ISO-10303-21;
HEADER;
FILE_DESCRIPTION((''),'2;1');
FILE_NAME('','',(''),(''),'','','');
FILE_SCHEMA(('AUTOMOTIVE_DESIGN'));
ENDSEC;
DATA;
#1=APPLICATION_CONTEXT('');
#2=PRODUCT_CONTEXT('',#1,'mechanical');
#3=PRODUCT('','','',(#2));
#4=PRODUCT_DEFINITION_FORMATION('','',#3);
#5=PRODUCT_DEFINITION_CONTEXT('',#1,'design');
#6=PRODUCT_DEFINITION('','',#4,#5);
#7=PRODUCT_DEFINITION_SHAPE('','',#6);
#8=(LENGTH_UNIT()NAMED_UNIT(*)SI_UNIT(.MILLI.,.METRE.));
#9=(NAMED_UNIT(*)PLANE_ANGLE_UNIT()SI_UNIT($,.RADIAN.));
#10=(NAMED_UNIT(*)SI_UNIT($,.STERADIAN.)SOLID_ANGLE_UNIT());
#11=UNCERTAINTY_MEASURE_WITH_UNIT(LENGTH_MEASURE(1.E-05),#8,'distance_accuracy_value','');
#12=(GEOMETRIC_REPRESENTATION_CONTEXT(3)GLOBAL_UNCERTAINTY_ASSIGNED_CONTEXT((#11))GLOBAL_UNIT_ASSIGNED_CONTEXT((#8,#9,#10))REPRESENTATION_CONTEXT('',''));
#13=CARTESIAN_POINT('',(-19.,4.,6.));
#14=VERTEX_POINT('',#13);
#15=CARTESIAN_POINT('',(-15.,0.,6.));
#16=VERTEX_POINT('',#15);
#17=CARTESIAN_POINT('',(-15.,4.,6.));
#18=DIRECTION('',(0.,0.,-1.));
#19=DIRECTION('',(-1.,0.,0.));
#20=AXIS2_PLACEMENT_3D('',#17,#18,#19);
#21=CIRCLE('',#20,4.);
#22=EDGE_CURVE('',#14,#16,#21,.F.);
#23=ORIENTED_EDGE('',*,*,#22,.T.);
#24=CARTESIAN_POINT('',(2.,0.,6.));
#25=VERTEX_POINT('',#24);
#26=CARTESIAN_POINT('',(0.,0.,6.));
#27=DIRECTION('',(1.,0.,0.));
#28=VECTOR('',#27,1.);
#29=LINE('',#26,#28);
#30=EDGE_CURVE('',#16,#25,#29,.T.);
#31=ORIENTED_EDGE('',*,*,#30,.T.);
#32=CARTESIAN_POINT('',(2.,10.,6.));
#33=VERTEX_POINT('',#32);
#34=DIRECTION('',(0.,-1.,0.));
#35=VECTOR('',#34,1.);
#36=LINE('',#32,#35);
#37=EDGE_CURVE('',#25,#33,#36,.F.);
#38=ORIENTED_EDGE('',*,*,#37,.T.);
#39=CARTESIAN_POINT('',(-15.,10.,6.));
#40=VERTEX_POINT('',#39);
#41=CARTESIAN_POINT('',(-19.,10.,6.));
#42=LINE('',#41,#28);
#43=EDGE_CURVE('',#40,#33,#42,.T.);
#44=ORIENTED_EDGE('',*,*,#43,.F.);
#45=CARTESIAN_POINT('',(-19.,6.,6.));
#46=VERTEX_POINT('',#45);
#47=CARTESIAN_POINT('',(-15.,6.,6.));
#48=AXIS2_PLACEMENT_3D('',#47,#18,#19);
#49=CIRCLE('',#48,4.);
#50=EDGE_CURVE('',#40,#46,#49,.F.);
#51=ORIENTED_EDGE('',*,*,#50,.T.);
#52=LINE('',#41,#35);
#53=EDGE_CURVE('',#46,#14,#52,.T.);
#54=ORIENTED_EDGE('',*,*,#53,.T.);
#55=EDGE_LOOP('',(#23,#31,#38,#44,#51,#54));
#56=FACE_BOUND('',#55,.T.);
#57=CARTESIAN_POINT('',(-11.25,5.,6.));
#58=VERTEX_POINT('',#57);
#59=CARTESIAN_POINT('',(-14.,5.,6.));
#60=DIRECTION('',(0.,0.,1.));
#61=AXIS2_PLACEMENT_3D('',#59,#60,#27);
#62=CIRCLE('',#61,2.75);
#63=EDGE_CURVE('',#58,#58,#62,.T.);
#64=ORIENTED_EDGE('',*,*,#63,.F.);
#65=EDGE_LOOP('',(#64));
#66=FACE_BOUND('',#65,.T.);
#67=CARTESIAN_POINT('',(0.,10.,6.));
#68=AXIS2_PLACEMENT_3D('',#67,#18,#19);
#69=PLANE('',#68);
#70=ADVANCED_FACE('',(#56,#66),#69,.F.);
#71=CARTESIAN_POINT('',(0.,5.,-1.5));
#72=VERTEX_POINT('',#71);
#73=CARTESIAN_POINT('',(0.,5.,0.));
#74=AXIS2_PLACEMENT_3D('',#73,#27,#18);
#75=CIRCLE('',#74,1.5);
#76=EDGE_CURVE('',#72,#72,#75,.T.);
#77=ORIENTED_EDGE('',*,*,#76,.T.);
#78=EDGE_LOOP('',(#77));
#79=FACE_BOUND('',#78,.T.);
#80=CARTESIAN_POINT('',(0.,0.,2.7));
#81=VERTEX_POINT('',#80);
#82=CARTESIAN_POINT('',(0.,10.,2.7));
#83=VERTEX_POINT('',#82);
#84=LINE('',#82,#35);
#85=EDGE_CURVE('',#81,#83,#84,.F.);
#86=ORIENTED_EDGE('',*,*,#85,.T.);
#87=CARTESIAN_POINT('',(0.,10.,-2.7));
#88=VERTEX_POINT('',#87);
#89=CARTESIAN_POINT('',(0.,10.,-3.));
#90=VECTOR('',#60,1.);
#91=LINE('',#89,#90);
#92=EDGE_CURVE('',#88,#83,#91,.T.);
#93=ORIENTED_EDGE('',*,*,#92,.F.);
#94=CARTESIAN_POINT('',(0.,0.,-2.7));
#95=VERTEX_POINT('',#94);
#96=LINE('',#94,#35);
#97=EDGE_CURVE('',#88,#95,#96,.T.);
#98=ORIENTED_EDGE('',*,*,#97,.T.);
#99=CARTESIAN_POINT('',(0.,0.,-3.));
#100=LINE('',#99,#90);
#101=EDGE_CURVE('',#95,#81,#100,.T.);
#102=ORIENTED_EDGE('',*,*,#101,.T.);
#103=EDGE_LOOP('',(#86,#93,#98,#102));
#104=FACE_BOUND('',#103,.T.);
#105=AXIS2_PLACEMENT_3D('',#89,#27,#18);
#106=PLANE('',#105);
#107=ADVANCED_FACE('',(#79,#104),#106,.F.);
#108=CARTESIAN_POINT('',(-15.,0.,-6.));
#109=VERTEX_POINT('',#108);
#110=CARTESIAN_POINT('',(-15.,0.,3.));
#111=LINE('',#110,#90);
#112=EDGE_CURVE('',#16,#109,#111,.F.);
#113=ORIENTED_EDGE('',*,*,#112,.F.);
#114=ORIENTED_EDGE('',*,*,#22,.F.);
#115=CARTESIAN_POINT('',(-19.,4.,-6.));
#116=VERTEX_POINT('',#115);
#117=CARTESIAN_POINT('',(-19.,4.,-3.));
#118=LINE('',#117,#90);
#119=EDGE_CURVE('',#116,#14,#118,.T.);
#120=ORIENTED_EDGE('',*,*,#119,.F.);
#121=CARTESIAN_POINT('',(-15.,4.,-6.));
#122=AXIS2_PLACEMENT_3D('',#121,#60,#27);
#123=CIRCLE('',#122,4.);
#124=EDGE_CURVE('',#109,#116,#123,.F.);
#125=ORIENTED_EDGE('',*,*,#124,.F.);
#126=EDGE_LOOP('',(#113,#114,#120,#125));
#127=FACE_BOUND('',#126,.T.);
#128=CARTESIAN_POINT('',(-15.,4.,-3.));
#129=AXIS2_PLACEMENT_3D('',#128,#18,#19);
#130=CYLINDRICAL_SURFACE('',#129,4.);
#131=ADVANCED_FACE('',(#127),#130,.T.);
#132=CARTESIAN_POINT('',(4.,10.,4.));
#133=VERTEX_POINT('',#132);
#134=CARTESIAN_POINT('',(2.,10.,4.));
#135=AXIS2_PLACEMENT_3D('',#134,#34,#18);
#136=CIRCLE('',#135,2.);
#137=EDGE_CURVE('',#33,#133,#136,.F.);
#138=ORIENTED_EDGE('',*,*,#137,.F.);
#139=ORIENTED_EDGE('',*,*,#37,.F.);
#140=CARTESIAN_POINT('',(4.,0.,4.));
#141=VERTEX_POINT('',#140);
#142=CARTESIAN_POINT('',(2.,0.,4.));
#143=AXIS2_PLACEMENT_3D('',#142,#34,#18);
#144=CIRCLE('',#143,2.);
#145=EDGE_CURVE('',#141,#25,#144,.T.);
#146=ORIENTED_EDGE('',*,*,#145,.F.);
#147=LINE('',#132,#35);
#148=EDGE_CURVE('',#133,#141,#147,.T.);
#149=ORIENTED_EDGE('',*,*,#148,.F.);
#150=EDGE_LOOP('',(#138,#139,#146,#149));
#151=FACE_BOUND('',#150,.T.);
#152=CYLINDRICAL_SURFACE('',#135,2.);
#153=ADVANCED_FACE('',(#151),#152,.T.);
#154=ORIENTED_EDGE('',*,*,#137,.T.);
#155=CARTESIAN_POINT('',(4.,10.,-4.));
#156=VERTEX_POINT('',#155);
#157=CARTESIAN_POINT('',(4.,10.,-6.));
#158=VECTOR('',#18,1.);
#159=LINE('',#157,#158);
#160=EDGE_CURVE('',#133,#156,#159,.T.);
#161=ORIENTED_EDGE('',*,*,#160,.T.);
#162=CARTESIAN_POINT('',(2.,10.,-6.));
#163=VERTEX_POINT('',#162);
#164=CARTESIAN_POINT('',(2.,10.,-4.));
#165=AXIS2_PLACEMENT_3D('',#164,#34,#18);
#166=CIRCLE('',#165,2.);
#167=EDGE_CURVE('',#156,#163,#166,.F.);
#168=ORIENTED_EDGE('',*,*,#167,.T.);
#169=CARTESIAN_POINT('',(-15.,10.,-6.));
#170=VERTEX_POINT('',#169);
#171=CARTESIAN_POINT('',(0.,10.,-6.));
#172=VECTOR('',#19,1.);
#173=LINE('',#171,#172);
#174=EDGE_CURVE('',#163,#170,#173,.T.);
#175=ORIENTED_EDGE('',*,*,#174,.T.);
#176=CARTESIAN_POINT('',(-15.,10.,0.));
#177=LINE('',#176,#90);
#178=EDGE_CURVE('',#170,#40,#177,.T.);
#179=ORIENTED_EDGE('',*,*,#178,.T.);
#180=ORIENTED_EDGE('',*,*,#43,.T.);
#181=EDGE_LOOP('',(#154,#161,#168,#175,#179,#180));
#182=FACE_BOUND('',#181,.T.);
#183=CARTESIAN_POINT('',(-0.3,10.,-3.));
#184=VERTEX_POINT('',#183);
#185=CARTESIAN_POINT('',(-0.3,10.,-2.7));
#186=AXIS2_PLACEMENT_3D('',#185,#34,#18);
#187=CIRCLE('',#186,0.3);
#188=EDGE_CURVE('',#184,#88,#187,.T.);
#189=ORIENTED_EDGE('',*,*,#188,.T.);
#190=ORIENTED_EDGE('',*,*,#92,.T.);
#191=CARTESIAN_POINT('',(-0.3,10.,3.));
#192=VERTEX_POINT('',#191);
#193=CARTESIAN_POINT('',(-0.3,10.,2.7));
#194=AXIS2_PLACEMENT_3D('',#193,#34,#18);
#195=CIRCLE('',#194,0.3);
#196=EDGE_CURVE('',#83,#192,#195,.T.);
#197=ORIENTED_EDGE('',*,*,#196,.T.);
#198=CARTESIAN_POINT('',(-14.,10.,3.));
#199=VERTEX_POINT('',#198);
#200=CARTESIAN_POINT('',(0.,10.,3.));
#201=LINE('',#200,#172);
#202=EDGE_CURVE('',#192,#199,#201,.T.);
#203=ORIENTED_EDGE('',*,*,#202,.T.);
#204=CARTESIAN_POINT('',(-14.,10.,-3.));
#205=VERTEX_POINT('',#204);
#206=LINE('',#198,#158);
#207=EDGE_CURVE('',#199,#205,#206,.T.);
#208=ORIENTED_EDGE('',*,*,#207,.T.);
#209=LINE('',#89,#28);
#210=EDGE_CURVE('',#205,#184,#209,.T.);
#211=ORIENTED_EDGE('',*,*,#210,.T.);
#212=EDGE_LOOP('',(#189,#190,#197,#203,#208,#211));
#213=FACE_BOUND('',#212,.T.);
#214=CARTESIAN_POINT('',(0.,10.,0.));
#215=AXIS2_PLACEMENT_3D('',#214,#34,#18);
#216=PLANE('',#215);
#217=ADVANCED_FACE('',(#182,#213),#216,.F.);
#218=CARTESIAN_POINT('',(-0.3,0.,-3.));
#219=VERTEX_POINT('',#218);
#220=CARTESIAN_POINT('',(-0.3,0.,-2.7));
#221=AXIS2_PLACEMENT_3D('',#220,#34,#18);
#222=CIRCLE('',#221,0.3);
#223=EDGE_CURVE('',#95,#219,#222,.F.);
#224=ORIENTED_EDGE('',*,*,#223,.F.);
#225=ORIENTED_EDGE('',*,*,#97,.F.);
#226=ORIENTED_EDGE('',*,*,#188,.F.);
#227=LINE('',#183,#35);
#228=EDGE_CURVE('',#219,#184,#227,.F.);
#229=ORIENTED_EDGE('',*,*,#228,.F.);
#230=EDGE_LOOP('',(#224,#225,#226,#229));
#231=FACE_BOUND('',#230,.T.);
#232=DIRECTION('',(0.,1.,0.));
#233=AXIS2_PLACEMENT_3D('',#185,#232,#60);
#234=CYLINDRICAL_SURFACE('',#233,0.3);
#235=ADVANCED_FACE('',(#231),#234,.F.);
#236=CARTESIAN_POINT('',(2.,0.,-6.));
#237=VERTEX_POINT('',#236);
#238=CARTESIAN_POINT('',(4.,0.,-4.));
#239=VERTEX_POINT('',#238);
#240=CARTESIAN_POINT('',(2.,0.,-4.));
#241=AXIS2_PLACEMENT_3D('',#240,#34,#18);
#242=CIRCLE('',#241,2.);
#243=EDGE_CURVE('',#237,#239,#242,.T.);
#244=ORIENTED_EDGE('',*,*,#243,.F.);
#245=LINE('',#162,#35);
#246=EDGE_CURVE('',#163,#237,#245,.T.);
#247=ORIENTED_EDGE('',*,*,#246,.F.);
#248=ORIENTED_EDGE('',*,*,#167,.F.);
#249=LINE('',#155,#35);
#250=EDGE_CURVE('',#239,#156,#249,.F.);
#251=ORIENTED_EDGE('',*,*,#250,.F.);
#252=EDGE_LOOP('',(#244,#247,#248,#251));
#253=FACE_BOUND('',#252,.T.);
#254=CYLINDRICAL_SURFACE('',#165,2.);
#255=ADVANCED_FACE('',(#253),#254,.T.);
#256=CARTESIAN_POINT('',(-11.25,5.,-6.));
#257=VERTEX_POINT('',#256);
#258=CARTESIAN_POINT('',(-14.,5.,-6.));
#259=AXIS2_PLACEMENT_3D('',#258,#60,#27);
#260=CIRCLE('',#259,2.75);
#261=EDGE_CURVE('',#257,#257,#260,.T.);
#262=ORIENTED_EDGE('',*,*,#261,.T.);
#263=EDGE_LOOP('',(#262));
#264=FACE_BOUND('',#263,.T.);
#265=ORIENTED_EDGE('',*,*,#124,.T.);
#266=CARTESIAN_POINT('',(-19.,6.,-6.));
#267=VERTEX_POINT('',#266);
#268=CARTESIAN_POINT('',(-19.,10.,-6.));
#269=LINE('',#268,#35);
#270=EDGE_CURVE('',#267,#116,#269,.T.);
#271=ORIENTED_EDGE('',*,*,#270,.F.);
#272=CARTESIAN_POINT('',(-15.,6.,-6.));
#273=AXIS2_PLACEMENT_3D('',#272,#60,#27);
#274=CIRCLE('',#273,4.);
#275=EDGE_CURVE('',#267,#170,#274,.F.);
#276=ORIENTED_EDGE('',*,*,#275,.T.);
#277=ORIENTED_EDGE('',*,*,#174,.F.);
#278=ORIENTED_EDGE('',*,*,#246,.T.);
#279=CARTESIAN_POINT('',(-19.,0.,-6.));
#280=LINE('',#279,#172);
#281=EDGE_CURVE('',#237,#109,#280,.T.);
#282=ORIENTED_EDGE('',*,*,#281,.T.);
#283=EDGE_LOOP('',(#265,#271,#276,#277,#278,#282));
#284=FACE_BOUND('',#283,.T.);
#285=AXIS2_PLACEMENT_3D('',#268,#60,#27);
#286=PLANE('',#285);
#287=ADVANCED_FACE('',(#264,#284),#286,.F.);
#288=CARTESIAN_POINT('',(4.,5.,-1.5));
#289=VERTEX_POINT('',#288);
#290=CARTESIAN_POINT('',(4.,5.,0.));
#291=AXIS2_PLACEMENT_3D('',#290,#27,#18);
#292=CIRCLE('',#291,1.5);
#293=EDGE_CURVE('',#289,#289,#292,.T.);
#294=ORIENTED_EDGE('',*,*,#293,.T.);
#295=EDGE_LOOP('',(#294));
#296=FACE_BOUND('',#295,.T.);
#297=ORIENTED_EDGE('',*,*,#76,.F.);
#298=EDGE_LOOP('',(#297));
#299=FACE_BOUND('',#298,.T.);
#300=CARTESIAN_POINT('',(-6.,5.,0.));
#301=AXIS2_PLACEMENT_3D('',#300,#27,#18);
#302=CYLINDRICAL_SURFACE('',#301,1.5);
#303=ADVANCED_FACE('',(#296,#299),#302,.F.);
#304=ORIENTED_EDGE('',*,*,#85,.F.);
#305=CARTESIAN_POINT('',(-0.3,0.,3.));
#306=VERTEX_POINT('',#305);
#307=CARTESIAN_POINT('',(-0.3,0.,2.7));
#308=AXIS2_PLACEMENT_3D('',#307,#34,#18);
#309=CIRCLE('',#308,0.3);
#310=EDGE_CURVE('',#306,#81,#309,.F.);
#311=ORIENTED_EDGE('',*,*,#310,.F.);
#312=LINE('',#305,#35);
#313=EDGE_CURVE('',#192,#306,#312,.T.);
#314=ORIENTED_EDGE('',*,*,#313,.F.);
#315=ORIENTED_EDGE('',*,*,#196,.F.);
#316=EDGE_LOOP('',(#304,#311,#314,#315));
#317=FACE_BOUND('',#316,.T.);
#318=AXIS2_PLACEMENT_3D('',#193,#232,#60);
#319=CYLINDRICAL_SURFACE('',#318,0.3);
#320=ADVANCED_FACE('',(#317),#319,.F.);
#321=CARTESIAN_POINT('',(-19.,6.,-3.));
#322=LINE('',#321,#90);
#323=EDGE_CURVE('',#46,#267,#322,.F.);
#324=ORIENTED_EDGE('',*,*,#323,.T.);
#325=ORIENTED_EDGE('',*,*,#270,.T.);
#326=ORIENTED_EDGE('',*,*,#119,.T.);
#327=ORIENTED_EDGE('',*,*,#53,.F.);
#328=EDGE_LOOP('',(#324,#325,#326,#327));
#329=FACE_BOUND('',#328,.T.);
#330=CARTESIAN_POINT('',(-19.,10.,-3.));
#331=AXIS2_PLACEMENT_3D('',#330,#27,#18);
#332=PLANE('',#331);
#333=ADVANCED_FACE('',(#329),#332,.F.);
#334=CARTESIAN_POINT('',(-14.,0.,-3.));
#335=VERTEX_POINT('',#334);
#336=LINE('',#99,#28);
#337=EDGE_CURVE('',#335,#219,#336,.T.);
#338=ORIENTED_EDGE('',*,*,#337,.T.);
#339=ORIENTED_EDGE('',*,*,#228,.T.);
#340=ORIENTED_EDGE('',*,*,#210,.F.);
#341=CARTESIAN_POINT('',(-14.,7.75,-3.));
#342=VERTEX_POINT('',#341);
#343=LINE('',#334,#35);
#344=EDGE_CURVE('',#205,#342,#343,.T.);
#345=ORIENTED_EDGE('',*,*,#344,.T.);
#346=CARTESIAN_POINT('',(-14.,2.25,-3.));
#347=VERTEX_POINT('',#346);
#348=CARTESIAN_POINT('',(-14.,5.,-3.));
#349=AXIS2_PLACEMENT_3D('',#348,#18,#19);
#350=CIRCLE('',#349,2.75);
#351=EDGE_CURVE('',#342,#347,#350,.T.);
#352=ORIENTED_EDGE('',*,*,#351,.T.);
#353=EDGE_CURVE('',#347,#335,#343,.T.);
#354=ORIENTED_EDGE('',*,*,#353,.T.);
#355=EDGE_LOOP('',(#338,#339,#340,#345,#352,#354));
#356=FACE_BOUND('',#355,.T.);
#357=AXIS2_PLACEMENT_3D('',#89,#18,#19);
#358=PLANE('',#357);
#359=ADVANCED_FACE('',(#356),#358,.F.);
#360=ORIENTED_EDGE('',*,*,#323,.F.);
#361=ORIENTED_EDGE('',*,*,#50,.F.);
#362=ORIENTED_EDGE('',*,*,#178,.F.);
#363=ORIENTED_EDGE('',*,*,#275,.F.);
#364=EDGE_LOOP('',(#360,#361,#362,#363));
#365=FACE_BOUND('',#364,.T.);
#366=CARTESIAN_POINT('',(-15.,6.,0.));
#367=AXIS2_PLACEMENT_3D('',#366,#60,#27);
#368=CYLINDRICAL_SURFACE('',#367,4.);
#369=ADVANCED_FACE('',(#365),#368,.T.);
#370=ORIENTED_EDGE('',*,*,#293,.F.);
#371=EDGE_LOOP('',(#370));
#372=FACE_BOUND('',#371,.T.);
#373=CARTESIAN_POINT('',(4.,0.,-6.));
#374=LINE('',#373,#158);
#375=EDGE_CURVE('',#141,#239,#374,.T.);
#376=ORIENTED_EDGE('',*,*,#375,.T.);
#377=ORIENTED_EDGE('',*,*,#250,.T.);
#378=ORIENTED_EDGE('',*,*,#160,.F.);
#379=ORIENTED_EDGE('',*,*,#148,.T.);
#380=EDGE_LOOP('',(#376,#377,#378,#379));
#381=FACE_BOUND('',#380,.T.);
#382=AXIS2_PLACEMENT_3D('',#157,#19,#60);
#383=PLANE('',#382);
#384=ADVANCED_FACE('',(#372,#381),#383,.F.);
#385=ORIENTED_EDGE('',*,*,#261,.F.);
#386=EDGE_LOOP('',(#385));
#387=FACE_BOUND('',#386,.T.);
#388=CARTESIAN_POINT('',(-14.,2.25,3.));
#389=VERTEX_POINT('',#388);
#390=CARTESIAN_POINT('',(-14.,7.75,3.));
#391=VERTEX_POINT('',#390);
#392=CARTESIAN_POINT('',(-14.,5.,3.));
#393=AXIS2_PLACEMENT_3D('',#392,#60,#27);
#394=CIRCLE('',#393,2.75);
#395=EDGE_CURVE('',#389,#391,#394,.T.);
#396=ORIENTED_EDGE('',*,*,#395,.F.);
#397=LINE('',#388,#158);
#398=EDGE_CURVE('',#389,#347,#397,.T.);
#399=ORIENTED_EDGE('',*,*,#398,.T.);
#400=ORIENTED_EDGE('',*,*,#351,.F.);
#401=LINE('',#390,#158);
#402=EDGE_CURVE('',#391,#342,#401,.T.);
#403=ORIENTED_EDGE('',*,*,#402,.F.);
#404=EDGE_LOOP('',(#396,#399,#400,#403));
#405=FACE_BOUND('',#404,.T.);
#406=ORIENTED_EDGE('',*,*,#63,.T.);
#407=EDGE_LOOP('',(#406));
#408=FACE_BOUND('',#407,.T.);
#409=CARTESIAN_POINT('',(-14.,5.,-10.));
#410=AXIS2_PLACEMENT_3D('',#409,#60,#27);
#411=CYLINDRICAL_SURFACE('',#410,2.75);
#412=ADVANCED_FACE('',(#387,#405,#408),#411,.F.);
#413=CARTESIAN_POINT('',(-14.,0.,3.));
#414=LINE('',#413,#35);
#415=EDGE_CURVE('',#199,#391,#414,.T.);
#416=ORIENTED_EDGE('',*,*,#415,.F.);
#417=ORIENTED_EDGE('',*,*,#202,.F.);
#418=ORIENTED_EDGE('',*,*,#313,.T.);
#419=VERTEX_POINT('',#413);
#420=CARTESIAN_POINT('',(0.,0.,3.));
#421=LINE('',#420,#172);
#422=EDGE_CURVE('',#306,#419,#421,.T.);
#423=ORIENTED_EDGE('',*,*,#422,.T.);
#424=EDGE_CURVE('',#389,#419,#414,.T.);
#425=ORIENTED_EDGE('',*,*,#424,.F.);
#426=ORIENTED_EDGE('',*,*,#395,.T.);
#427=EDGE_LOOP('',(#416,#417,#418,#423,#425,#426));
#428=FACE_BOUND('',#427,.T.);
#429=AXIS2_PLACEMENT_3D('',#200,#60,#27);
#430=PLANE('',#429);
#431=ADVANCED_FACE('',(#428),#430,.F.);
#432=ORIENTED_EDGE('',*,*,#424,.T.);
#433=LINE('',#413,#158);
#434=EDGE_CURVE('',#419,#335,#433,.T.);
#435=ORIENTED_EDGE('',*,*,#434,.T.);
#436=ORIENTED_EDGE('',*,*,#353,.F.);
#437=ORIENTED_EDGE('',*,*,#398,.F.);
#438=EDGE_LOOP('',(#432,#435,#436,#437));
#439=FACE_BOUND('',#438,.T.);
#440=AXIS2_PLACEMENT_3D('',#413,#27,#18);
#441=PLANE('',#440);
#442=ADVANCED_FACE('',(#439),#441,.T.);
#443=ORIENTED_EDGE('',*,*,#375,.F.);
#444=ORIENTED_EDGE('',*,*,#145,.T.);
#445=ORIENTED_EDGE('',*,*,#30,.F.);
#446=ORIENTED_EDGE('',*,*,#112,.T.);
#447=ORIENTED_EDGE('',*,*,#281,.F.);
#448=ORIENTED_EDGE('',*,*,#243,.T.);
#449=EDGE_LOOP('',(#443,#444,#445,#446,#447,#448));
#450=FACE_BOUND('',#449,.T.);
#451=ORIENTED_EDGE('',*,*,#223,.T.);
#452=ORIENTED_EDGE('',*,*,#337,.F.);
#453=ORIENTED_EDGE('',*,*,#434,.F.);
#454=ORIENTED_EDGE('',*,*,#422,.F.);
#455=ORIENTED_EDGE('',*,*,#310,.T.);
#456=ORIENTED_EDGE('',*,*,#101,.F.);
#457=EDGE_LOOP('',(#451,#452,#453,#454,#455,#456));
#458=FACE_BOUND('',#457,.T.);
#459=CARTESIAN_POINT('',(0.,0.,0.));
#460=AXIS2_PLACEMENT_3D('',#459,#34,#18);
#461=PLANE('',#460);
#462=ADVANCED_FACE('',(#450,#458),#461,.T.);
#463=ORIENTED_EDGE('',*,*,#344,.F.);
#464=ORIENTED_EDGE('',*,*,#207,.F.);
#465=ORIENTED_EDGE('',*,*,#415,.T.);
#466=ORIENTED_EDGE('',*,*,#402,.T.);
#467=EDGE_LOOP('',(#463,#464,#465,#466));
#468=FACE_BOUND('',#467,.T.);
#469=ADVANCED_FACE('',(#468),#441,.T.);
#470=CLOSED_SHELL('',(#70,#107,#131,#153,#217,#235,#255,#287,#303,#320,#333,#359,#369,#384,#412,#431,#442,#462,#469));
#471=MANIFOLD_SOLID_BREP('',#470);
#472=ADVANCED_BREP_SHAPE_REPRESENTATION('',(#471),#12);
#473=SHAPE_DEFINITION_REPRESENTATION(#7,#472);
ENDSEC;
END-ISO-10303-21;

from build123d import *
from build123d.topology import SkipClean

# Parameters (mm, degrees)
EXTRUDE_1_DEPTH     = 10
SKETCH_2_R          = 2.75
CUT_EXTRUDE_1_DEPTH = 16
FILLET_1_R          = 4
SKETCH_3_R          = 1.5
CUT_EXTRUDE_2_DEPTH = 10
FILLET_2_R          = 2
FILLET_3_R          = 0.3
EXTRUDE_4_DEPTH     = 6


with BuildPart() as part:
    # 草图1 → 凸台-拉伸1 (new body)
    with BuildSketch(Plane(origin=(0, 0, 0), x_dir=(1, 0, 0), z_dir=(0, 1, 0))):
        Polygon((0, 3), (-19, 3), (-19, 6), (0, 6), (4, 6), (4, -6), (0, -6), (-19, -6), (-19, -3), (0, -3), align=None)
    extrude(amount=EXTRUDE_1_DEPTH)

    # 草图2 → 切除-拉伸1 (cut)
    with BuildSketch(Plane.XY.offset(6)):
        with Locations((-14, 5)):
            Circle(SKETCH_2_R)
    extrude(amount=-CUT_EXTRUDE_1_DEPTH, mode=Mode.SUBTRACT)

    # 圆角1
    fillet_1_edges = [part.edges().sort_by_distance(p)[0] for p in [
        (-19, 0, -4.5),
        (-19, 10, 4.5),
        (-19, 0, 4.5),
        (-19, 10, -4.5),
    ]]
    fillet(fillet_1_edges, radius=FILLET_1_R)

    # 草图3 → 切除-拉伸2 (cut)
    with BuildSketch(Plane(origin=(4, 0, 0), x_dir=(0, 0, -1), z_dir=(1, 0, 0))):
        with Locations((0, 5)):
            Circle(SKETCH_3_R)
    extrude(amount=-CUT_EXTRUDE_2_DEPTH, mode=Mode.SUBTRACT)

    # 圆角2
    fillet_2_edges = [part.edges().sort_by_distance(p)[0] for p in [
        (4, 5, -6),
        (4, 5, 6),
    ]]
    fillet(fillet_2_edges, radius=FILLET_2_R)

    # 圆角3
    fillet_3_edges = [part.edges().sort_by_distance(p)[0] for p in [
        (0, 5, -3),
        (0, 5, 3),
    ]]
    fillet(fillet_3_edges, radius=FILLET_3_R)

    # 草图9 → 凸台-拉伸4 (add)
    with SkipClean():  # the faces are left unmerged after this step: merging them gives an invalid solid
        with BuildSketch(Plane.XY.offset(-3)):
            with BuildLine():
                ThreePointArc((-15, 10), (-17.828427125, 8.828427125), (-19, 6))
                Line((-19, 6), (-19, 4))
                ThreePointArc((-19, 4), (-17.828427125, 1.171572875), (-15, 0))
                Line((-15, 0), (-14, 0))
                Line((-14, 0), (-14, 2.25))
                ThreePointArc((-14, 2.25), (-16.75, 5), (-14, 7.75))
                Line((-14, 7.75), (-14, 10))
                Line((-14, 10), (-15, 10))
            make_face()
        extrude(amount=EXTRUDE_4_DEPTH)


solid = part.part
